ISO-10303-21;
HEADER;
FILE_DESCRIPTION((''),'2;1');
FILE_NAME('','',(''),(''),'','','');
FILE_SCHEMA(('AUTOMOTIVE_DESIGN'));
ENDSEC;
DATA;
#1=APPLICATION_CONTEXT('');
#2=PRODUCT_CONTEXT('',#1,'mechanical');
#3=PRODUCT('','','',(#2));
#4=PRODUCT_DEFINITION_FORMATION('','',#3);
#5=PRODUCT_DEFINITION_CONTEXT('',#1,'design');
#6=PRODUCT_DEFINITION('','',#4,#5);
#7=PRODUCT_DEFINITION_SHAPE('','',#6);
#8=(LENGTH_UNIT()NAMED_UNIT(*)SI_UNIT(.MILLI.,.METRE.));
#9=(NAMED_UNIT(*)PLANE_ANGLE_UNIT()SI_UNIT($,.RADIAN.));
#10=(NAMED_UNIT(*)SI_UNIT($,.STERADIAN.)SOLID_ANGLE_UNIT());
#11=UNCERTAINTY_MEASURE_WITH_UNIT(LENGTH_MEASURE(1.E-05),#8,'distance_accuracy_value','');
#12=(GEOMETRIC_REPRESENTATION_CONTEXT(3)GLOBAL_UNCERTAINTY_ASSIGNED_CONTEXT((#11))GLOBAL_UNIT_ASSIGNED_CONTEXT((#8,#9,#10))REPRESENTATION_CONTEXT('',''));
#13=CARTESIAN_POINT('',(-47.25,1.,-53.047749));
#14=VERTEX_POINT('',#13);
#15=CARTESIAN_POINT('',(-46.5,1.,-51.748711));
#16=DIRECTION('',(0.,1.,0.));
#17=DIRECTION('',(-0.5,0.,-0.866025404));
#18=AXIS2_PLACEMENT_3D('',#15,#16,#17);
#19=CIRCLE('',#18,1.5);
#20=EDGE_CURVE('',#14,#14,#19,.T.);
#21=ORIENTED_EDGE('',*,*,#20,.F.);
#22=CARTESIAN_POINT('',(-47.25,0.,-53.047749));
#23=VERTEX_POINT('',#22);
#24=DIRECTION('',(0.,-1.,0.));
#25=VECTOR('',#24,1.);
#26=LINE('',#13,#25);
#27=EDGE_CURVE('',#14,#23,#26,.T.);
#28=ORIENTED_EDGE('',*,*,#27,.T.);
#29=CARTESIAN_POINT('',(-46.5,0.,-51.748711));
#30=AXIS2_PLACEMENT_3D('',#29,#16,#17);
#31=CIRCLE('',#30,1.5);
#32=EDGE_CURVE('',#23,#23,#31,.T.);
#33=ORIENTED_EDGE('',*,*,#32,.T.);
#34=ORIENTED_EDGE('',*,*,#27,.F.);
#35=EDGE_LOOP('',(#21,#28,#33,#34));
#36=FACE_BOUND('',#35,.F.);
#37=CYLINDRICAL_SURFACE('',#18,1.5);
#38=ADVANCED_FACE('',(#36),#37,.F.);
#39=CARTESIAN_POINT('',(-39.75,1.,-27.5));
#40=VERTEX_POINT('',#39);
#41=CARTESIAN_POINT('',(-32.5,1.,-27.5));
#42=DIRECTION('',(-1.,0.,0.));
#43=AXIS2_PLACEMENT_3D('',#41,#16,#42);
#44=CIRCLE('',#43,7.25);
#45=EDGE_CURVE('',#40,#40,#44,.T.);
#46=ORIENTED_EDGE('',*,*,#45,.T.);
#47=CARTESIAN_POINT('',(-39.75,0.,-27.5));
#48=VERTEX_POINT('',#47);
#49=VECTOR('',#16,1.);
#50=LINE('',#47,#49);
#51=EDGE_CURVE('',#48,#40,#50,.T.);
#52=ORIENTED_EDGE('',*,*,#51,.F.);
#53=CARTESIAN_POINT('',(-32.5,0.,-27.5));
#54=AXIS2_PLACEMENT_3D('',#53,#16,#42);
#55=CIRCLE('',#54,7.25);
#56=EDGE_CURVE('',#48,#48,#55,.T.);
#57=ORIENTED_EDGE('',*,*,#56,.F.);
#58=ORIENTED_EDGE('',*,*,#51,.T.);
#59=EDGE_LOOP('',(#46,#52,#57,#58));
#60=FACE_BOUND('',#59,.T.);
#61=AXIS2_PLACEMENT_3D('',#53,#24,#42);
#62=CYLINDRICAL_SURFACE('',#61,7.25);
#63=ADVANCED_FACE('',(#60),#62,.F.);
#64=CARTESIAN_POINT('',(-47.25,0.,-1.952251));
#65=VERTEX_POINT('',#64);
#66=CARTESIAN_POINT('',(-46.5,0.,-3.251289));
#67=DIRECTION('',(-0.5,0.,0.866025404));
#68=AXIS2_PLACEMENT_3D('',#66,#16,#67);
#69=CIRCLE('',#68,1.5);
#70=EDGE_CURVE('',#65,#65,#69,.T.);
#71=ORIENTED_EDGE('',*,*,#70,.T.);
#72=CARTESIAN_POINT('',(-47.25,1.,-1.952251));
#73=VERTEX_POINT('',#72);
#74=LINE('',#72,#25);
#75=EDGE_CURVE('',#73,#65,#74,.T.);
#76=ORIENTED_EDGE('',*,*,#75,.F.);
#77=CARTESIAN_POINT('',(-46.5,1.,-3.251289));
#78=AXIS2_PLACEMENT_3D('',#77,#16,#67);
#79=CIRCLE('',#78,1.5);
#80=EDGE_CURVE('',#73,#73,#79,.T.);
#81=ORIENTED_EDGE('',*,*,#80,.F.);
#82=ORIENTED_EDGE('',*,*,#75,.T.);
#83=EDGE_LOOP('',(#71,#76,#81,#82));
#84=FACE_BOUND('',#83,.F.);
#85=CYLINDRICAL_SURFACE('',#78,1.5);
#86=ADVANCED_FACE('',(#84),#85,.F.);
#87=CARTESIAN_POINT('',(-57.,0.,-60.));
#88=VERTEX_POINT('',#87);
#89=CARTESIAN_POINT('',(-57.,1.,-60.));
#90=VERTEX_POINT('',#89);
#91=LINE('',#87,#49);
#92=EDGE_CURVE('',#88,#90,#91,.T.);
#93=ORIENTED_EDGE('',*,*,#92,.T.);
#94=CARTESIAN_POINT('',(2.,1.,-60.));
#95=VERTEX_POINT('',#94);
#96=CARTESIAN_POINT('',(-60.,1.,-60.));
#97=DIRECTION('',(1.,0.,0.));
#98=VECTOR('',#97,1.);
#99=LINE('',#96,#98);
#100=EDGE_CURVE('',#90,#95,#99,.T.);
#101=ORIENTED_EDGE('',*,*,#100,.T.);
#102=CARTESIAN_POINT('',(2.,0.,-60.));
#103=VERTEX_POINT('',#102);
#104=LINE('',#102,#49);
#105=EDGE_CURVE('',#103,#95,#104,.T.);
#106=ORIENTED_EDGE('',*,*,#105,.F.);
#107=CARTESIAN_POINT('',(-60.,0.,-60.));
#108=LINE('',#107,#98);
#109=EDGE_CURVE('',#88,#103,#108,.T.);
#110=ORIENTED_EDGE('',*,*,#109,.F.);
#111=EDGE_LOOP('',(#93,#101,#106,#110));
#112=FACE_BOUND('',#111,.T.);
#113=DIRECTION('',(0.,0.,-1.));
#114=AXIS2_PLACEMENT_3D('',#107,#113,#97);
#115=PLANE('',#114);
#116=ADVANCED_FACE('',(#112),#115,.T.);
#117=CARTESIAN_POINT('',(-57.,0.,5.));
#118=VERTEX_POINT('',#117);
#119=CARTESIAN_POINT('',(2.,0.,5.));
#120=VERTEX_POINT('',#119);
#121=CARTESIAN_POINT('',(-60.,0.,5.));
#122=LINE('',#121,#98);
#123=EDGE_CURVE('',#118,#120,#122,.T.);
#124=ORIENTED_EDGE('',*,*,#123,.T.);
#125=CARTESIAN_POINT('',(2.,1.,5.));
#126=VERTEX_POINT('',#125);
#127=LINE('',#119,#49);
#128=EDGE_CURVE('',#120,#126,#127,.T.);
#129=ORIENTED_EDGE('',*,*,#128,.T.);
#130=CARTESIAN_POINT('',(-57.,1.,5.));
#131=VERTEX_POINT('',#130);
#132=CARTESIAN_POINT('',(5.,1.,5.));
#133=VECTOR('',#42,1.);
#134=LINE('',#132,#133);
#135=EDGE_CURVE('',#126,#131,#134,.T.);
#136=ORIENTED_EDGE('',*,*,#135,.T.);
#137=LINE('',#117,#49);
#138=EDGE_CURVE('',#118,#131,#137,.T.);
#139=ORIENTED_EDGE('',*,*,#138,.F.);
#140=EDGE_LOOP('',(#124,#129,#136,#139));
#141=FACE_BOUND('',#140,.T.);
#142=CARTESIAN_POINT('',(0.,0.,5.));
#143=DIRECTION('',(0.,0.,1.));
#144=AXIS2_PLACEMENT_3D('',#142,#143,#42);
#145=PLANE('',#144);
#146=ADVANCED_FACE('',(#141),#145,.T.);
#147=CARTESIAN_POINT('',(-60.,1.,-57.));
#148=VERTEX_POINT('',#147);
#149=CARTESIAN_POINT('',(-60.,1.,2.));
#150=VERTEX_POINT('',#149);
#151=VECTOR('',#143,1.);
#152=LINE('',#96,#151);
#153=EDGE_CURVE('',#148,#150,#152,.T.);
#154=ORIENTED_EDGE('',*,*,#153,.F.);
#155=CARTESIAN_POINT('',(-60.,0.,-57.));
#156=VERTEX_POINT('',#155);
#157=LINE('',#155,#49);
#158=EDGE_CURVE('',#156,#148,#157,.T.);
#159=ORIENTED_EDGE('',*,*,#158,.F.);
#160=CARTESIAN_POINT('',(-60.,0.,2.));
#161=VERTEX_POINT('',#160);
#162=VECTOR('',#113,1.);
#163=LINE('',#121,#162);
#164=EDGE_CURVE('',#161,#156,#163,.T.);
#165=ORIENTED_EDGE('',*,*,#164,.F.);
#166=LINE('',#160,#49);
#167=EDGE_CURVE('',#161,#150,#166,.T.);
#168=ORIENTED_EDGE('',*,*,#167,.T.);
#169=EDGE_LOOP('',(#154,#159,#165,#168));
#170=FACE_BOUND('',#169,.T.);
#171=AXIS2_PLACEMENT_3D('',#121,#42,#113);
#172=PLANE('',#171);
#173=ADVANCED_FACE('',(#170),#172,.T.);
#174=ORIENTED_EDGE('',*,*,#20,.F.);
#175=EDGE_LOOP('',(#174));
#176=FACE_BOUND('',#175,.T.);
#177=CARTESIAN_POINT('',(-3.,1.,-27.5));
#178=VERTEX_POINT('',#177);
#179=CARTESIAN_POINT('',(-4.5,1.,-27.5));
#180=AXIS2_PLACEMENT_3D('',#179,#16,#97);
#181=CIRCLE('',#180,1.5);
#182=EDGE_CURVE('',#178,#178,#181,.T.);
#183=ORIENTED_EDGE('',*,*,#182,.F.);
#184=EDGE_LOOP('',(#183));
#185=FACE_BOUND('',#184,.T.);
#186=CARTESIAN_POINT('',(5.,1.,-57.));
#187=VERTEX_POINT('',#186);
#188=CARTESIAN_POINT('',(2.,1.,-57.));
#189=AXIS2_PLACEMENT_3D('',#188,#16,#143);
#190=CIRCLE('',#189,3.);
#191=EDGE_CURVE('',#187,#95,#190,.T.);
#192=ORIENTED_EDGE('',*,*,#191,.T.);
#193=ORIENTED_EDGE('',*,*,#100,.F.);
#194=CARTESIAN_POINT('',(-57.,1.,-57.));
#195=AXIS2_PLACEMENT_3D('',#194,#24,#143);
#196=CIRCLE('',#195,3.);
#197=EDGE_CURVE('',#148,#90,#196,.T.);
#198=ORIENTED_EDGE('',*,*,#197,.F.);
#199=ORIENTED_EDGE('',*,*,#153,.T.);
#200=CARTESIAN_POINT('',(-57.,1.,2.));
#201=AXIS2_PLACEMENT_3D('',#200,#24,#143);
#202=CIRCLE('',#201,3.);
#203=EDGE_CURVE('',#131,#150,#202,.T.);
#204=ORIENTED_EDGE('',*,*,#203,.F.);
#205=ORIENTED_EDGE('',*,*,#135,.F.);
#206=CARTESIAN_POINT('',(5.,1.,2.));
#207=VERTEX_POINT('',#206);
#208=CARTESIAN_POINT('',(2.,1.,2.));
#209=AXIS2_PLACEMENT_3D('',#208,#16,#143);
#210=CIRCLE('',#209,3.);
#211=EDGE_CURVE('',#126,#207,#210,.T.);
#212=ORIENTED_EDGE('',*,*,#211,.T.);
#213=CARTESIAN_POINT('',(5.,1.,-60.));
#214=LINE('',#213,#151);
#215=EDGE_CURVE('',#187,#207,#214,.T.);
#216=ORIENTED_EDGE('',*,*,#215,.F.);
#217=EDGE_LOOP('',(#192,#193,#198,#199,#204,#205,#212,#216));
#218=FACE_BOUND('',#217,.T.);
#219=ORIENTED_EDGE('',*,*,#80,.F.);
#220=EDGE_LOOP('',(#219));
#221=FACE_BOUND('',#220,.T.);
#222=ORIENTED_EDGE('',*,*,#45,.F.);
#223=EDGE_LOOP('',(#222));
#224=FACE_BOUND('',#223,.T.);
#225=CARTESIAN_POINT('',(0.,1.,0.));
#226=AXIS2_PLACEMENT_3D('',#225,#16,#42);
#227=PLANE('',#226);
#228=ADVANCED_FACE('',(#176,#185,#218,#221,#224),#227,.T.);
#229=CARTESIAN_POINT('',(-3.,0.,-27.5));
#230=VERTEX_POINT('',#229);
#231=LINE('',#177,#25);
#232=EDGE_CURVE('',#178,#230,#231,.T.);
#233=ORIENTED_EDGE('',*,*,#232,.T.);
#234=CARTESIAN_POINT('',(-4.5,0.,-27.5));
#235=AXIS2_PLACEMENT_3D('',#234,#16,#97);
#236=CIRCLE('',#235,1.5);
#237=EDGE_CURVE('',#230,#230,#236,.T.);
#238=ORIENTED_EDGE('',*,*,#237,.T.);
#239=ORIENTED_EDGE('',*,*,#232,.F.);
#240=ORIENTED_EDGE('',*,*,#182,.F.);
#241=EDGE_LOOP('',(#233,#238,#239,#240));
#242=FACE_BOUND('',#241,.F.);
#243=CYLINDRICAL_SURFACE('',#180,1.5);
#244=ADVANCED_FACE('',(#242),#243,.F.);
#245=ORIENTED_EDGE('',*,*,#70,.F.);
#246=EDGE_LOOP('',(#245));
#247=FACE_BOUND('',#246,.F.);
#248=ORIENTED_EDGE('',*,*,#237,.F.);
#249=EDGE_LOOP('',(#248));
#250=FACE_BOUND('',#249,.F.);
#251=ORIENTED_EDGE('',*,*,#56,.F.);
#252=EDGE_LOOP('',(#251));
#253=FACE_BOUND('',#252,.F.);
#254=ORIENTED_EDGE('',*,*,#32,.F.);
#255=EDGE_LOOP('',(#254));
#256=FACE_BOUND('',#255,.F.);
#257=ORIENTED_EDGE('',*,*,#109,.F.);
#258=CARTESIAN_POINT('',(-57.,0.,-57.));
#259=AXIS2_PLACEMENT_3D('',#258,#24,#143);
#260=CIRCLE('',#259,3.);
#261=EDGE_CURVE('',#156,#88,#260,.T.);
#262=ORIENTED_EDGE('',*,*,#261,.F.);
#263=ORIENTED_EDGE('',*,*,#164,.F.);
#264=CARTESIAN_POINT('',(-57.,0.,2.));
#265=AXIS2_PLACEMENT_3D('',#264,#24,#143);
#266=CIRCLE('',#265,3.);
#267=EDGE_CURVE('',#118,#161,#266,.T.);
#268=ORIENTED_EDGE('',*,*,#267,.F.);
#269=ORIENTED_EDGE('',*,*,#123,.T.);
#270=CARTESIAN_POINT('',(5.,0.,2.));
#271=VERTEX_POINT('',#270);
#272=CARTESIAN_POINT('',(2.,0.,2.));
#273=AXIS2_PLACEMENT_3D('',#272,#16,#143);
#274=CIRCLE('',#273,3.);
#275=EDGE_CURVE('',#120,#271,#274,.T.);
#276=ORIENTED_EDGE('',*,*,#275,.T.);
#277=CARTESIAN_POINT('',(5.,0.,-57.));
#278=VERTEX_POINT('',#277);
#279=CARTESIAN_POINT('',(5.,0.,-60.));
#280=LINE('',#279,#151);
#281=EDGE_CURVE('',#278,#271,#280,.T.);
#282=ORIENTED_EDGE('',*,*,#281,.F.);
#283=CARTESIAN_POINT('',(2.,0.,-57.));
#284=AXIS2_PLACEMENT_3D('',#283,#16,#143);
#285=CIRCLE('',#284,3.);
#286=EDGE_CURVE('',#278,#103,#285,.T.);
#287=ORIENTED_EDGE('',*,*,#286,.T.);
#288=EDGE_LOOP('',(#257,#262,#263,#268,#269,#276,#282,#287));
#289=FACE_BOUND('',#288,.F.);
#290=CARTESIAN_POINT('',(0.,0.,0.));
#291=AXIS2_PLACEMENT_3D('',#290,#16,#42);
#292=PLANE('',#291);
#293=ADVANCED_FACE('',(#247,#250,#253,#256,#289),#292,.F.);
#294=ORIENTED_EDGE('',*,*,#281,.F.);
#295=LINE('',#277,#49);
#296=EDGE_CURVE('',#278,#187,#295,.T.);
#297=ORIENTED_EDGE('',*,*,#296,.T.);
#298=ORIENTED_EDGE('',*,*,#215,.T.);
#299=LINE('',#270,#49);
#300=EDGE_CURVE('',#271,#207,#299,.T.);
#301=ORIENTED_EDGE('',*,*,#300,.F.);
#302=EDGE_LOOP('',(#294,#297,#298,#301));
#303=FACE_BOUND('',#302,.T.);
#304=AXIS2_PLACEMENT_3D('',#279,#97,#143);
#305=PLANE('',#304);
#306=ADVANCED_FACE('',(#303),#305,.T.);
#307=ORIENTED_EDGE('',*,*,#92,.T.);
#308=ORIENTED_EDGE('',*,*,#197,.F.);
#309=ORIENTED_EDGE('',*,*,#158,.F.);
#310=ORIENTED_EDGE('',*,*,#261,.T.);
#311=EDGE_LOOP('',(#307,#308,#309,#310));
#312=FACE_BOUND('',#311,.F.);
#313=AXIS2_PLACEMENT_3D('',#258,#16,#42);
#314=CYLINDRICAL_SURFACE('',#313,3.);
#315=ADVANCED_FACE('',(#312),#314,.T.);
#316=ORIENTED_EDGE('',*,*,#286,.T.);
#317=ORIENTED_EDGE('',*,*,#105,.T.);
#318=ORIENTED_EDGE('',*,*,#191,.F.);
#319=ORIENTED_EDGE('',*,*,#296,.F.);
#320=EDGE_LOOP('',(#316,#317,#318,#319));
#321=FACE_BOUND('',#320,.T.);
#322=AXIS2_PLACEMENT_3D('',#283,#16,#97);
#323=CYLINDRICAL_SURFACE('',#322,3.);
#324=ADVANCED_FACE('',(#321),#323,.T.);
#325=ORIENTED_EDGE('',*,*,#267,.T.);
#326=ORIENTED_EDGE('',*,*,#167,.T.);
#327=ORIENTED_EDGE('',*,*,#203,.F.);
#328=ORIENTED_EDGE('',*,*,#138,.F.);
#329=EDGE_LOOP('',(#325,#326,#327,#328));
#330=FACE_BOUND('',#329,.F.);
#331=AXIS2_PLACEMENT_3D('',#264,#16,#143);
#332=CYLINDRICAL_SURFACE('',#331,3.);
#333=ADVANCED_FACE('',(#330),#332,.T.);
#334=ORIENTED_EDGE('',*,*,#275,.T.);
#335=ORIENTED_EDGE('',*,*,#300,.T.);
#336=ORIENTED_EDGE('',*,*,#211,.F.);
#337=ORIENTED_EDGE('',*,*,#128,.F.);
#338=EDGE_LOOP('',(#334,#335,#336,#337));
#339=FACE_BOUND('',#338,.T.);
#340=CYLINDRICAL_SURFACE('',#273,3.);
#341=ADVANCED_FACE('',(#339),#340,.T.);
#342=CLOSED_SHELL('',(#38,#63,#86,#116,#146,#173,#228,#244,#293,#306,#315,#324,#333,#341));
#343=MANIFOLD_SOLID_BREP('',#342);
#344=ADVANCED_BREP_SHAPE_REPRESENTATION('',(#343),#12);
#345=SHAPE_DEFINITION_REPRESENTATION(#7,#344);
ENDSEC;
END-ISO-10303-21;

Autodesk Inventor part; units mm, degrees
ref_plane "YZ Plane" through (0, 0, 0) normal (1, 0, 0) x (0, 1, 0)
ref_plane "XZ Plane" through (0, 0, 0) normal (0, 1, 0) x (-1, 0, 0)
ref_plane "XY Plane" through (0, 0, 0) normal (0, 0, 1) x (1, 0, 0)
sketch "Esboço1" plane through (0, 0, 0) normal (0, 1, 0) x (-1, 0, 0)
  line L0 (0, 5) -> (-5, 5)
  line L1 (60, -55) -> (60, -60)
  line L2 (60, -60) -> (-5, -60)
  line L3 (-5, -60) -> (-5, 5)
  line L4 (-5, 5) -> (60, 5)
  line L5 (60, 5) -> (60, -60)
  line L6 (27.5, 5) -> (32.5, 5)
  circle A0 centre (32.5, -27.5) radius 7.25
  dimension "d11" = 5
  dimension "d13" = 5
  dimension "d16" = 5
  dimension "d17" = 14.5
extrude "Extrusão4" add sketch "Esboço1" along normal blind 1
sketch "Esboço2" plane through (0, 1, 0) normal (0, 1, 0) x (1, 0, 0)
  circle A0 centre (-32.5, 27.5) radius 7.25 projected
  circle A1 centre (-4.5, 27.5) radius 1.5
  point P0 (0, 0)
  dimension "d21" = 3
extrude "Extrusão5" cut sketch "Esboço2" against normal blind 10 contours A1
pattern_circular "Padrão circular1" count 3 over 360 about axis through (-32.5, 0, -27.5) along (0, 1, 0) of "Extrusão5"
sketch "Esboço3" plane through (-60, 0, 5) normal (0, 0, 1) x (1, 0, 0)
  line L0 (65, 0) -> (0, 0) projected
  line L1 (65, 1) -> (0, 1)
  line L2 (0, 1) -> (0, 0)
  line L3 (0, 0) -> (65, 0)
  line L4 (65, 0) -> (65, 1)
  point P0 (60, 0)
sketch "Esboço4" plane through (5, 0, -60) normal (0, 0, -1) x (-1, 0, 0)
  line L0 (0, 1) -> (65, 1) projected
  line L1 (65, 1) -> (0, 1)
  line L2 (0, 1) -> (0, 0)
  line L3 (0, 0) -> (65, 0)
  line L4 (65, 0) -> (65, 1)
  point P0 (5, 0)
fillet "Arredondamento1" radius 3 4 edges at (5, 0.5, -60) (5, 0.5, 5) (-60, 0.5, -60) (-60, 0.5, 5)
properties part number "borracha isolamento respirador" material "Borracha"
